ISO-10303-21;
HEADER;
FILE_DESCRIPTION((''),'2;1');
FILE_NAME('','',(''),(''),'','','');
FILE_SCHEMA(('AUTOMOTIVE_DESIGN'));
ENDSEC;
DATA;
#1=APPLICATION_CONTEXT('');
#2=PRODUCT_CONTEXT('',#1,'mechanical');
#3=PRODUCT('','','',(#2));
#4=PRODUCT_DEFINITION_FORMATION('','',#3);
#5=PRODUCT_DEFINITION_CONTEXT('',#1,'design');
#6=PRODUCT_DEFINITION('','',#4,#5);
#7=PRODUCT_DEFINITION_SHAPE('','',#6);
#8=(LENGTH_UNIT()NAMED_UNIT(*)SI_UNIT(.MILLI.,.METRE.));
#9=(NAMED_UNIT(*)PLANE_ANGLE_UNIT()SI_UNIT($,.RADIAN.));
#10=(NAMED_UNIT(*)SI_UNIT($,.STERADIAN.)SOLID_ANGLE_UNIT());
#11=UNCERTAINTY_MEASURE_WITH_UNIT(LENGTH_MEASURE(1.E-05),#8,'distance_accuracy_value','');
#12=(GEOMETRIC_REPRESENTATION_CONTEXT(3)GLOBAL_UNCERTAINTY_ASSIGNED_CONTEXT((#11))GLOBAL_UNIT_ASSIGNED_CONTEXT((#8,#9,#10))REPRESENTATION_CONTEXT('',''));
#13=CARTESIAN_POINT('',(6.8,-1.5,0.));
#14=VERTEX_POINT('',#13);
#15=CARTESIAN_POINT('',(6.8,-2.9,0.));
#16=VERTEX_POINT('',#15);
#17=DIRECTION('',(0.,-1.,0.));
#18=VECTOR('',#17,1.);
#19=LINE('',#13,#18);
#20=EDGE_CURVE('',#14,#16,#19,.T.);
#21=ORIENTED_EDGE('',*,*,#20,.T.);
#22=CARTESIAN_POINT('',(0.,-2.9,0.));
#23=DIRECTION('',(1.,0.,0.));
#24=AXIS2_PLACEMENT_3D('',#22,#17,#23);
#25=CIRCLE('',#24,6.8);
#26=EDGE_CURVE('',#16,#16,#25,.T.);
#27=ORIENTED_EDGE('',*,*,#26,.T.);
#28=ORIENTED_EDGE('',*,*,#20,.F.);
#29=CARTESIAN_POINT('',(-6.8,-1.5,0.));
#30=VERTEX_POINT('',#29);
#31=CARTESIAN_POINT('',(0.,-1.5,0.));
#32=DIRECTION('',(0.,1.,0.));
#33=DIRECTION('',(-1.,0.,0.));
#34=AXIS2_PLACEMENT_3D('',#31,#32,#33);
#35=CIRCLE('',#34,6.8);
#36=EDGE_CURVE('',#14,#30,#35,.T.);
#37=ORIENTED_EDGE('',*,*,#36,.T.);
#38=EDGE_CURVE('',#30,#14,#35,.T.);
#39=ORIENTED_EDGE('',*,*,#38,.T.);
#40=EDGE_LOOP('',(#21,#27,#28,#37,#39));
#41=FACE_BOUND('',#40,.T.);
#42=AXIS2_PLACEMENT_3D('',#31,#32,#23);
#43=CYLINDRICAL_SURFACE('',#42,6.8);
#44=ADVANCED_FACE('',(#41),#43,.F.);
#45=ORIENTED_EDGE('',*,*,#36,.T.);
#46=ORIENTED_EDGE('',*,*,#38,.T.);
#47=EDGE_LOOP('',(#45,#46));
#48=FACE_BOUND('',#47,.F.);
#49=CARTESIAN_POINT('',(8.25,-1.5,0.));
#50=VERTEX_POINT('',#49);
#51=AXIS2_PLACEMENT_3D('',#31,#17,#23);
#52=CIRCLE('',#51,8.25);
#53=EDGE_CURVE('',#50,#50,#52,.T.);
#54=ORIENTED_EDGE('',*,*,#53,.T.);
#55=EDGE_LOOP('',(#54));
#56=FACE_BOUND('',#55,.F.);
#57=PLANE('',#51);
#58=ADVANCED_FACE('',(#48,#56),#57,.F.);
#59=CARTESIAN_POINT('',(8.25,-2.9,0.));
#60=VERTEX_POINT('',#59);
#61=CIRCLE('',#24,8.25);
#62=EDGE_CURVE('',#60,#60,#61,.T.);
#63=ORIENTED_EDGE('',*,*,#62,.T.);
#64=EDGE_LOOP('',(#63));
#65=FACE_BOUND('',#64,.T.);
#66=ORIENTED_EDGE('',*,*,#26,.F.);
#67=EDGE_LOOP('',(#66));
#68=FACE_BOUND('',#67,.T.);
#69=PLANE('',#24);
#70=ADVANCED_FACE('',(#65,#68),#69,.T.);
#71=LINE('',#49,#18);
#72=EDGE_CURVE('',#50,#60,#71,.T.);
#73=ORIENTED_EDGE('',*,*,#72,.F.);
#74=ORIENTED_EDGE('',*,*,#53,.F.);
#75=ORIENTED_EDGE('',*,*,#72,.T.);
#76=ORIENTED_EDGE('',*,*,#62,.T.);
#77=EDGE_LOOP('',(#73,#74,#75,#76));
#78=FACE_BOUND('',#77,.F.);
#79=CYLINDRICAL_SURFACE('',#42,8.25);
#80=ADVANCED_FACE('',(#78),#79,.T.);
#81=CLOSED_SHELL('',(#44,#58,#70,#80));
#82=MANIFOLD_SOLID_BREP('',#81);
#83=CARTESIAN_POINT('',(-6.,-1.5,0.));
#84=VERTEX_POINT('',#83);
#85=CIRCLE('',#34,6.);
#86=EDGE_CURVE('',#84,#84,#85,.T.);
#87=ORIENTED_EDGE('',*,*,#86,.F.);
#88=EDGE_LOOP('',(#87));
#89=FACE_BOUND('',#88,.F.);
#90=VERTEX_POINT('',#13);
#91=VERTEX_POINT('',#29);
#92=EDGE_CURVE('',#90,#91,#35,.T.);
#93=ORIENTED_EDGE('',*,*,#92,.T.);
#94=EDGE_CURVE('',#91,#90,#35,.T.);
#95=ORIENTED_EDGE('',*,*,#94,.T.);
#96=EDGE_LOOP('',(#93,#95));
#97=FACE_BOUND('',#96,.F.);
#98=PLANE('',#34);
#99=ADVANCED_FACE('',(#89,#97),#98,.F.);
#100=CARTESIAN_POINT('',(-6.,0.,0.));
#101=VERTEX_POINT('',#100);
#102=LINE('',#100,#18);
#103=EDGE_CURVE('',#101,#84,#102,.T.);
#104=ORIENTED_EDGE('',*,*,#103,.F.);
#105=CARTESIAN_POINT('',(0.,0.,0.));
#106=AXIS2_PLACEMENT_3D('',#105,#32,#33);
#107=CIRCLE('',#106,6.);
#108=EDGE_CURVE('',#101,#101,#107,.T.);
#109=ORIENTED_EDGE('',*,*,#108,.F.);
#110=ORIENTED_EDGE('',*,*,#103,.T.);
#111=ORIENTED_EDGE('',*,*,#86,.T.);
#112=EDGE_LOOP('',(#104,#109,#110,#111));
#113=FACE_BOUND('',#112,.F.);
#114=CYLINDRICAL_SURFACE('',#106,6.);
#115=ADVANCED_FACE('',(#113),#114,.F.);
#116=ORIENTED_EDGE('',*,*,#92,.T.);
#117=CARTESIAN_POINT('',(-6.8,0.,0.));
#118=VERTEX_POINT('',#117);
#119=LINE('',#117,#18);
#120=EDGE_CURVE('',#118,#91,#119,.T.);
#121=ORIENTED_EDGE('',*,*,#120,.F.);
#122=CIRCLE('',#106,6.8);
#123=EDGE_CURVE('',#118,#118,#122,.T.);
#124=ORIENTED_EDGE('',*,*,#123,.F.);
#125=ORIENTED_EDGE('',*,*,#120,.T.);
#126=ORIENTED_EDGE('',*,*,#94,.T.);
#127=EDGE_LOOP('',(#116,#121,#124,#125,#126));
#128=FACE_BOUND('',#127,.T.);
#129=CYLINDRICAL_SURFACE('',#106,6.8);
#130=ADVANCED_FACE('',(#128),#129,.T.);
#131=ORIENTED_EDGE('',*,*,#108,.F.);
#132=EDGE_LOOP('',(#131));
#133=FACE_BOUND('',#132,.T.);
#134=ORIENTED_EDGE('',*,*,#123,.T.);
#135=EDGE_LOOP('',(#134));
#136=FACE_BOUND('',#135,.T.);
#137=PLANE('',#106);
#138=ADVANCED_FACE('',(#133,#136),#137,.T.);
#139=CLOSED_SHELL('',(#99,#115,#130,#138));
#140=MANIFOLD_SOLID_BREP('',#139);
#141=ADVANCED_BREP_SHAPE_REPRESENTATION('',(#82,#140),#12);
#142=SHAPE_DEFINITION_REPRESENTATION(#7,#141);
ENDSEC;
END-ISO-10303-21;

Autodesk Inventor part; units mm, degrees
ref_plane "YZ Plane" through (0, 0, 0) normal (1, 0, 0) x (0, 1, 0)
ref_plane "XZ Plane" through (0, 0, 0) normal (0, 1, 0) x (-1, 0, 0)
ref_plane "XY Plane" through (0, 0, 0) normal (0, 0, 1) x (1, 0, 0)
sketch "Boceto1" plane through (0, 0, 0) normal (0, 1, 0) x (-1, 0, 0)
  circle A0 centre (0, 0) radius 6.8
  circle A1 centre (0, 0) radius 6
  dimension "d0" = 13.6
  dimension "d1" = 12
extrude "Extrusión1" add sketch "Boceto1" against normal blind 1.5
sketch "Boceto2" plane through (0, -1.5, 0) normal (0, -1, 0) x (1, 0, 0)
  circle A0 centre (0, 0) radius 6.8
  circle A1 centre (0, 0) radius 8.25
  dimension "d4" = 16.5
extrude "Extrusión2" add sketch "Boceto2" along normal blind 1.4
properties part number "Elemento_externo" material "Plástico ABS"
